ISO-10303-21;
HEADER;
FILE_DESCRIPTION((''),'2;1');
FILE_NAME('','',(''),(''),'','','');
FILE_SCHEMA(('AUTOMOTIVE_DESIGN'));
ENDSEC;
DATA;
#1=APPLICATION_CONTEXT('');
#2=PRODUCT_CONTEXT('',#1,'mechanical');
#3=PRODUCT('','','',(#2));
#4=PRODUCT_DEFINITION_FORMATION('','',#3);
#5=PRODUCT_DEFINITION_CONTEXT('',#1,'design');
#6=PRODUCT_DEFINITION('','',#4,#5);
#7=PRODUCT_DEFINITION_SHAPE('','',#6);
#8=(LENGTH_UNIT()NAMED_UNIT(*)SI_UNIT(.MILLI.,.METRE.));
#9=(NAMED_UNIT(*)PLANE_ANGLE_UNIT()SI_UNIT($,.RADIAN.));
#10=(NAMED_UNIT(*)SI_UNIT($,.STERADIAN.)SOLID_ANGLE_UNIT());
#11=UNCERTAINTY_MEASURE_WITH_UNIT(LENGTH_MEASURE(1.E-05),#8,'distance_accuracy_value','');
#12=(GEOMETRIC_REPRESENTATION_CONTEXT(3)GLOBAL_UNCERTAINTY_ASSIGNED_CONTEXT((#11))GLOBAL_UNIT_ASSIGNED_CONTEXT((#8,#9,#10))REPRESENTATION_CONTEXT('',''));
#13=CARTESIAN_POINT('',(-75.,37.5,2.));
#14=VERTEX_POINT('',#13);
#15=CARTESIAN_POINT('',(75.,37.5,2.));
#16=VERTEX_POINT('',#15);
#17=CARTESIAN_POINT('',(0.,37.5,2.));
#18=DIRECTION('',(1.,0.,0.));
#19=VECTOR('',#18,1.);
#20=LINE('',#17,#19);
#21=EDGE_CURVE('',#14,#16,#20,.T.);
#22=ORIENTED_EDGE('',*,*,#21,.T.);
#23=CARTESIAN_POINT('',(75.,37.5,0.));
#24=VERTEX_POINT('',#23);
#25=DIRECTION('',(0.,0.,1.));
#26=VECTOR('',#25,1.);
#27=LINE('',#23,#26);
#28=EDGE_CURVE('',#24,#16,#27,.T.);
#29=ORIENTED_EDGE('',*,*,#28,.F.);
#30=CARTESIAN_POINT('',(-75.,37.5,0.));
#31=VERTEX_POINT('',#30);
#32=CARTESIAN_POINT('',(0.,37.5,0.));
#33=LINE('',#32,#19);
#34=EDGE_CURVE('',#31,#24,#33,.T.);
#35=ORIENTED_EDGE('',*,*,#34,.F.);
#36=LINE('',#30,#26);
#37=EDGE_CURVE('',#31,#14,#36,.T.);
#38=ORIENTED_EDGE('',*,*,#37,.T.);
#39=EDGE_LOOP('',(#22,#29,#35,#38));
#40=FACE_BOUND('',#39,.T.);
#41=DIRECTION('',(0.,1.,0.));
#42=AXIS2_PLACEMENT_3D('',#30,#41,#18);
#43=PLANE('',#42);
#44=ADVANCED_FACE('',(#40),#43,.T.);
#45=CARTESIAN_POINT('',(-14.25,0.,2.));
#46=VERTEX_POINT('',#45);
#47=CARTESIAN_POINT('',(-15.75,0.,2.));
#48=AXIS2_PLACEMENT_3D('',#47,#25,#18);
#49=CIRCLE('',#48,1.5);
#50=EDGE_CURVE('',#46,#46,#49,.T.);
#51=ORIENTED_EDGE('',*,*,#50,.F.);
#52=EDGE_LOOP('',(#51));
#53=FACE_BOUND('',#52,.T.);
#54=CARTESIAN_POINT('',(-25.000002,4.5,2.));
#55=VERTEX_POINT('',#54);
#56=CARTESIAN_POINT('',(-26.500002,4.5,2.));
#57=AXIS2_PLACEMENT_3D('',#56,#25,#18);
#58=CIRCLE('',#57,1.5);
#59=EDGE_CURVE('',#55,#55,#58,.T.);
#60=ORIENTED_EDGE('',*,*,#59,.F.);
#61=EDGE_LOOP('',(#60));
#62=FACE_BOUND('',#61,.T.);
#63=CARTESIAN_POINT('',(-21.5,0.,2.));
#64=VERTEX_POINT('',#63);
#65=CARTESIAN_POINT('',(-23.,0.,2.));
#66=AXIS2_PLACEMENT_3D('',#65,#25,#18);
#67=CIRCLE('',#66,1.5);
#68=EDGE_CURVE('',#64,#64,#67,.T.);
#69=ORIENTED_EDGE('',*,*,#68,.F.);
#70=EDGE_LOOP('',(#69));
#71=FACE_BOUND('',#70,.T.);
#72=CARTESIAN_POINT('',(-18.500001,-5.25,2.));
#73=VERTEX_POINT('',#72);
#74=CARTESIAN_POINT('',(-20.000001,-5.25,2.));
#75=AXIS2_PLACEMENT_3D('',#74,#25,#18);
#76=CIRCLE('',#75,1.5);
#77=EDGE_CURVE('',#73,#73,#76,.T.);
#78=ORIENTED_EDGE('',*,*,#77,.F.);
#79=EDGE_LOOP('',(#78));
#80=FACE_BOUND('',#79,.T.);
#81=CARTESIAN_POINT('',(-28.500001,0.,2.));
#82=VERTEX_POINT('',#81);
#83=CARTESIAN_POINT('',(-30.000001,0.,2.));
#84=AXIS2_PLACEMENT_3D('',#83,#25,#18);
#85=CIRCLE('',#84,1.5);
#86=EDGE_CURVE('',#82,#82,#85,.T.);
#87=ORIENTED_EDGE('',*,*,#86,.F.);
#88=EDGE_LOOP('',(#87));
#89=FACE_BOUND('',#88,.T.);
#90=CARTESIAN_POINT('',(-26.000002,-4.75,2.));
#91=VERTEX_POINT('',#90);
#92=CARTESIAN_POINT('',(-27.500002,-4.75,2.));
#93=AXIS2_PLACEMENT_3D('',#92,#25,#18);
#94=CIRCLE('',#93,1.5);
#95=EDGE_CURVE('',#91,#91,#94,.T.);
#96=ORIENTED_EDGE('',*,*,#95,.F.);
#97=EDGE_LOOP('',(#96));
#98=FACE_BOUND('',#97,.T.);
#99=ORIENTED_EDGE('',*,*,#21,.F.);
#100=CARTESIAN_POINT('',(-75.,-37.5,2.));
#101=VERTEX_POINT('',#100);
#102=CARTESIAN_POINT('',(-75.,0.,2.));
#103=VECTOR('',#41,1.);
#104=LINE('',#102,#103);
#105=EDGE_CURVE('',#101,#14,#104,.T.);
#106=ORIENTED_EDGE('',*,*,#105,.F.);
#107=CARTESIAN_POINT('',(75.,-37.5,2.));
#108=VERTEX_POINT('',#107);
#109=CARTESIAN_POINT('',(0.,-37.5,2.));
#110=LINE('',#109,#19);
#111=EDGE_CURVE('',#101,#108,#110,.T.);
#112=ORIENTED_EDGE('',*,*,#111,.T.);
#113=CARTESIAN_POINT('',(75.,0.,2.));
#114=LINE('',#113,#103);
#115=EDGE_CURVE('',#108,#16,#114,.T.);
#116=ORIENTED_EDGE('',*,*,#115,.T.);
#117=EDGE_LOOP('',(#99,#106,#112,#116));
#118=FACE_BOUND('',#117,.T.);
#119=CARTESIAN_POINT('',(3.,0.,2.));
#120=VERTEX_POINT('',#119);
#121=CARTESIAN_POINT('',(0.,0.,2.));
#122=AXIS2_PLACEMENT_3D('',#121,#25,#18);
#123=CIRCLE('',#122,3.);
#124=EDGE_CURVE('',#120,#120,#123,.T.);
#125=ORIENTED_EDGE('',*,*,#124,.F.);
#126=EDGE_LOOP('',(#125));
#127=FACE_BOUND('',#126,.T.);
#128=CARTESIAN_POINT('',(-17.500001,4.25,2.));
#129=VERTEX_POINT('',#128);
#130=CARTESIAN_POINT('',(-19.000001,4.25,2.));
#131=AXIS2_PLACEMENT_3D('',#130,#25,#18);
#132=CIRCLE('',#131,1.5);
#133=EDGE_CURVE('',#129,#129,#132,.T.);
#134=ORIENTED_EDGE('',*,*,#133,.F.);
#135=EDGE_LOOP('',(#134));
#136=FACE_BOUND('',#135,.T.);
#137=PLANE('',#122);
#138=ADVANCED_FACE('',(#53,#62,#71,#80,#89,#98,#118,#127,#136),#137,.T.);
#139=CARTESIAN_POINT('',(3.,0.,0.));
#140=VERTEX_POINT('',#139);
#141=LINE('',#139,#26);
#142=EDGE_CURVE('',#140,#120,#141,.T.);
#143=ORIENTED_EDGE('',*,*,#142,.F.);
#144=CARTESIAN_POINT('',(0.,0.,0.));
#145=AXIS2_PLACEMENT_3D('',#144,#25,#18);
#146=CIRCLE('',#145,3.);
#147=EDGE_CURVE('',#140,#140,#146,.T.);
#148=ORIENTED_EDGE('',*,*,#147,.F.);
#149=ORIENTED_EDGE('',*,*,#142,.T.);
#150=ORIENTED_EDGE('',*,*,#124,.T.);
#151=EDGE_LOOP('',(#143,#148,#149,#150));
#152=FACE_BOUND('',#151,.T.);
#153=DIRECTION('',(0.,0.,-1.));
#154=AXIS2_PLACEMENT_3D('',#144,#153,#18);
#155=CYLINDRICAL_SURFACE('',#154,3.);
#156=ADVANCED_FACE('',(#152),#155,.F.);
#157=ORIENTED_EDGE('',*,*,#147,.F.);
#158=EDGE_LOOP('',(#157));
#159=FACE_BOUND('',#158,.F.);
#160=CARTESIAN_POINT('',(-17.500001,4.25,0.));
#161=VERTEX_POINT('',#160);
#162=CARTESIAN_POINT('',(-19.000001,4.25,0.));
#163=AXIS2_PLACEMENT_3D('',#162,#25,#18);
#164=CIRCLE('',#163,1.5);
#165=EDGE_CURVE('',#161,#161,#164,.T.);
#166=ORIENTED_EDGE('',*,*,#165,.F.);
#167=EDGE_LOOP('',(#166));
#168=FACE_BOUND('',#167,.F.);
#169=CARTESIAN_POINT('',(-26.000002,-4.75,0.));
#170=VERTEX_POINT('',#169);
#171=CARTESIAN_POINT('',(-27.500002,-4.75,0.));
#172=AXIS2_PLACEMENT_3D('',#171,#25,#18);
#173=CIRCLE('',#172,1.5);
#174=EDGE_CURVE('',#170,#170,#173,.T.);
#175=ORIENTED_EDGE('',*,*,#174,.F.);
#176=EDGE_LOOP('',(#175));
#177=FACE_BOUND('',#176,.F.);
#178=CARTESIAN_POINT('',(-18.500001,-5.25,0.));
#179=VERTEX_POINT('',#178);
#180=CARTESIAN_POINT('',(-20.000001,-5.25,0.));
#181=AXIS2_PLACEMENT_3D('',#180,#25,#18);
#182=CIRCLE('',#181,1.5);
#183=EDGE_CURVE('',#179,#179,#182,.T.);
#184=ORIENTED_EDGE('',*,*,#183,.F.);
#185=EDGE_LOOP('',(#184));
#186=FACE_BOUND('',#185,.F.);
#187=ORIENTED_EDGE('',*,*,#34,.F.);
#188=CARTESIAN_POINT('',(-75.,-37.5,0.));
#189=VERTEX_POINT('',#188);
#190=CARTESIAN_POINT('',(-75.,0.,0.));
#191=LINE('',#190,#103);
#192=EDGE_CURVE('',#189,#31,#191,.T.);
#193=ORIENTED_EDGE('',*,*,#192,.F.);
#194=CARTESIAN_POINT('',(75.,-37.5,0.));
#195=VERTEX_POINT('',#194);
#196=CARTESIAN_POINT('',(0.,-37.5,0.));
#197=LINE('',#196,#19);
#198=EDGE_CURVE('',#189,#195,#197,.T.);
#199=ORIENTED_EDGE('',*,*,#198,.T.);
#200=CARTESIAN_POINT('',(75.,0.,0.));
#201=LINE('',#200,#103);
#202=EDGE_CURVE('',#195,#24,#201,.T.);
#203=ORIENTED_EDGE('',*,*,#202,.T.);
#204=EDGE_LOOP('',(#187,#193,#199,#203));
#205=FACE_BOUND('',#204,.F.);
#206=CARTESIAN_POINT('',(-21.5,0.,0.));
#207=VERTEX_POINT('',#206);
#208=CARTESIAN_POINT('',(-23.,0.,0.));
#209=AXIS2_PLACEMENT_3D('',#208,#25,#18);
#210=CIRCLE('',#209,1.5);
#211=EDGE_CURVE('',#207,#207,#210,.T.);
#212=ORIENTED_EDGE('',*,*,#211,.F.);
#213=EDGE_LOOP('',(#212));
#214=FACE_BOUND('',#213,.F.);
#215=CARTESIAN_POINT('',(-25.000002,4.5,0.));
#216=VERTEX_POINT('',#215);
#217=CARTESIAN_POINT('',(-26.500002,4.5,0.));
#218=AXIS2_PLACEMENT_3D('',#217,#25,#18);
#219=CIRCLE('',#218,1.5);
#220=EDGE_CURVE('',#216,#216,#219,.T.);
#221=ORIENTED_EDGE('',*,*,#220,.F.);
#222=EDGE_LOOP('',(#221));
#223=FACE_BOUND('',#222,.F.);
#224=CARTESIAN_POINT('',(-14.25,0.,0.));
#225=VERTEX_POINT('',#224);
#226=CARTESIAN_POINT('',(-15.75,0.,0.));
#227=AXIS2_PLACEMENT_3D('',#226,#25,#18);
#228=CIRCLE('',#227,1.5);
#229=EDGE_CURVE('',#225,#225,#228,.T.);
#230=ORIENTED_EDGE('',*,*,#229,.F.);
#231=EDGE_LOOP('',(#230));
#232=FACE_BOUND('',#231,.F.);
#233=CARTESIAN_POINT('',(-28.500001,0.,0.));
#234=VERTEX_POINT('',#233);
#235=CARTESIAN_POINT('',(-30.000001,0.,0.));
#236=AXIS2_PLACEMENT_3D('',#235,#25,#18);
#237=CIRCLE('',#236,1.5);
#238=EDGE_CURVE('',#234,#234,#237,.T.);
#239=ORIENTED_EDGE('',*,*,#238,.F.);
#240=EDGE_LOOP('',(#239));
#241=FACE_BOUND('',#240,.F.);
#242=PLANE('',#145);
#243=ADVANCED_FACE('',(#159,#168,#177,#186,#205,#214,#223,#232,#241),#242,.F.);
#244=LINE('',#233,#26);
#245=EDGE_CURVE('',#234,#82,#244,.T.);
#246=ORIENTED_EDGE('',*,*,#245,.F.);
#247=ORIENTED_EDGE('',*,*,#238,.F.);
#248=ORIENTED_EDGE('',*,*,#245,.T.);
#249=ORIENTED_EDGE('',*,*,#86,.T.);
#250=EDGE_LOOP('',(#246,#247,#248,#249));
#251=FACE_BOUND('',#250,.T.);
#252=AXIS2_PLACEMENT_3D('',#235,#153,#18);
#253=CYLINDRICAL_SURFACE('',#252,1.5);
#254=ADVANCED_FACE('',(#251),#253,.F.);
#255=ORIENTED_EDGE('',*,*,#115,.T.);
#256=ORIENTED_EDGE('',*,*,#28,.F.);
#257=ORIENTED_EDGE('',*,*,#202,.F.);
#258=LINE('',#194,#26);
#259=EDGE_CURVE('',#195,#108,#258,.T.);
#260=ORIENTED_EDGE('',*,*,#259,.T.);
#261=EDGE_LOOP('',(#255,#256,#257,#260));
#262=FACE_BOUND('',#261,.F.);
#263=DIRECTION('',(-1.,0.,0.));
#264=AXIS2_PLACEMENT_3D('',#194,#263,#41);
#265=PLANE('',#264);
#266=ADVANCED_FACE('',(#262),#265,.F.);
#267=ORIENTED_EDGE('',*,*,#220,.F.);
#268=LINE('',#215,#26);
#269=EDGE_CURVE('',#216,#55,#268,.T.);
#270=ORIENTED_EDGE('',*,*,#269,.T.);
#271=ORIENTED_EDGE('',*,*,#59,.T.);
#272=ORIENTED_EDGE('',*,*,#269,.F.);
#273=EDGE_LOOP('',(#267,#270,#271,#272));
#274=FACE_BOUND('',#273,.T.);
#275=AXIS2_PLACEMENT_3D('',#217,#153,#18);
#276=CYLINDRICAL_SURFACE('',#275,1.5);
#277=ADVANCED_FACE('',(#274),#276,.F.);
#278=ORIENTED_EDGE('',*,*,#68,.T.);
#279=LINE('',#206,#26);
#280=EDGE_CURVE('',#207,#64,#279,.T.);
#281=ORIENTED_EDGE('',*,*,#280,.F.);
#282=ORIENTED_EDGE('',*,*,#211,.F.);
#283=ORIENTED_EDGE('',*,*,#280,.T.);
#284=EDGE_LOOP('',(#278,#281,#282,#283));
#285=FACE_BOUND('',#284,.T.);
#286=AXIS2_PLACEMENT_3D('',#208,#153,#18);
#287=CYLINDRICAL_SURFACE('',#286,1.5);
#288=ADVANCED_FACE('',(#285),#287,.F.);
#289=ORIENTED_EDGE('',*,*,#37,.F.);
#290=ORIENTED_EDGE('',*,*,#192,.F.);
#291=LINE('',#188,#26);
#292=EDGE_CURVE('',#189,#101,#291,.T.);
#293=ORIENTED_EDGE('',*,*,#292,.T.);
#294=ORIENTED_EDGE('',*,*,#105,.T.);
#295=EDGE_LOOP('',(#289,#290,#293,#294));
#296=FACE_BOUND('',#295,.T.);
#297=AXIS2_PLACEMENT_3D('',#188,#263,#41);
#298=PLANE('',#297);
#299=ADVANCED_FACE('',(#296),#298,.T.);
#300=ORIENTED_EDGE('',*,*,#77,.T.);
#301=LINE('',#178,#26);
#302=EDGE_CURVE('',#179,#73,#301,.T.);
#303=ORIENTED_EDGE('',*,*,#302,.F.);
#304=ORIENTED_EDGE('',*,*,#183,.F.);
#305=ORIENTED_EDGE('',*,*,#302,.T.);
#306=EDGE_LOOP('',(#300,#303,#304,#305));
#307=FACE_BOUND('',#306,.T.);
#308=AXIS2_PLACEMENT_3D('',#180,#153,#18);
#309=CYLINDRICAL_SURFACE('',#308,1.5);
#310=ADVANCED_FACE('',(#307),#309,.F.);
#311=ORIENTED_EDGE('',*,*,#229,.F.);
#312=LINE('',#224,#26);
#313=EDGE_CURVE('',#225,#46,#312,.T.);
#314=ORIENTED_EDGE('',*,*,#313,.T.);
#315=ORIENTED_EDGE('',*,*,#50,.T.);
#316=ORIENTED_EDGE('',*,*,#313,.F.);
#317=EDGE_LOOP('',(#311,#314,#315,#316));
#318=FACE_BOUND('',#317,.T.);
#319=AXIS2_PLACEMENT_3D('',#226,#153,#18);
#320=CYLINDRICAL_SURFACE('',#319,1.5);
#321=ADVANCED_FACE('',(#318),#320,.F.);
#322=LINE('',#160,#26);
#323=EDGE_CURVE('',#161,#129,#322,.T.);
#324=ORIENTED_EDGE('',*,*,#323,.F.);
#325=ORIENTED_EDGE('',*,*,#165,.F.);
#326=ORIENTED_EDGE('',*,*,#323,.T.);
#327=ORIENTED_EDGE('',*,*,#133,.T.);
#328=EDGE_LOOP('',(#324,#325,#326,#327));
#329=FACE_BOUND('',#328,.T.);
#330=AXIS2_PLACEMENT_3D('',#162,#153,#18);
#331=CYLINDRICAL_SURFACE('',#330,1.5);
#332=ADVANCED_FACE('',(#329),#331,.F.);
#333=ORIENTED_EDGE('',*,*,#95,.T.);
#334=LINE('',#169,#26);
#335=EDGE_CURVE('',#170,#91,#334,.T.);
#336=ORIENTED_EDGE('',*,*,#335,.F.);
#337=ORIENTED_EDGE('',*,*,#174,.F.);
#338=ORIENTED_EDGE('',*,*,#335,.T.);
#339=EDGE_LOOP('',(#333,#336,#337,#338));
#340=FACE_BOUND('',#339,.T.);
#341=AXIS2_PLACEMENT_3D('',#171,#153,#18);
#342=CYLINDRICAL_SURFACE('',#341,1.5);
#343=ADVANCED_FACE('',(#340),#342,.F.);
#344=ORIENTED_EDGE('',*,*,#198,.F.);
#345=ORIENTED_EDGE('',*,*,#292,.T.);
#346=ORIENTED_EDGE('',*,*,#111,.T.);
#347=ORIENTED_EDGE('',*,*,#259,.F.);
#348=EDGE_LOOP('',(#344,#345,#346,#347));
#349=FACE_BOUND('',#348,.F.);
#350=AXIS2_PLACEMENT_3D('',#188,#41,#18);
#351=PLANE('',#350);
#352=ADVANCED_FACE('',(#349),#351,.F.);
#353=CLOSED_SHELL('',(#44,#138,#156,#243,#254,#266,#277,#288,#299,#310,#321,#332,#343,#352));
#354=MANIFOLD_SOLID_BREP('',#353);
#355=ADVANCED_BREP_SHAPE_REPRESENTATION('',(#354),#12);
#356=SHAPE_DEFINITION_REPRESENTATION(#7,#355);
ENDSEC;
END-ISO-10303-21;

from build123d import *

# Parameters (mm, degrees)
F0_W     = 150
F0_H     = 75
F0_R     = 1.5
F0_R_2   = 3
F1_DEPTH = 2


with BuildPart() as f1:
    # F0 (on Top) → F1 (new body)
    with BuildSketch(Plane.XY):
        Rectangle(F0_W, F0_H)
        with Locations((-27.500002, -4.75)):
            Circle(F0_R, mode=Mode.SUBTRACT)
        with Locations((-20.000001, -5.25)):
            Circle(F0_R, mode=Mode.SUBTRACT)
        with Locations((-30.000001, 0)):
            Circle(F0_R, mode=Mode.SUBTRACT)
        with Locations((-23, 0)):
            Circle(F0_R, mode=Mode.SUBTRACT)
        with Locations((-26.500002, 4.5)):
            Circle(F0_R, mode=Mode.SUBTRACT)
        with Locations((-19.000001, 4.25)):
            Circle(F0_R, mode=Mode.SUBTRACT)
        with Locations((-15.75, 0)):
            Circle(F0_R, mode=Mode.SUBTRACT)
        Circle(F0_R_2, mode=Mode.SUBTRACT)
    extrude(amount=F1_DEPTH)


solid = f1.part
